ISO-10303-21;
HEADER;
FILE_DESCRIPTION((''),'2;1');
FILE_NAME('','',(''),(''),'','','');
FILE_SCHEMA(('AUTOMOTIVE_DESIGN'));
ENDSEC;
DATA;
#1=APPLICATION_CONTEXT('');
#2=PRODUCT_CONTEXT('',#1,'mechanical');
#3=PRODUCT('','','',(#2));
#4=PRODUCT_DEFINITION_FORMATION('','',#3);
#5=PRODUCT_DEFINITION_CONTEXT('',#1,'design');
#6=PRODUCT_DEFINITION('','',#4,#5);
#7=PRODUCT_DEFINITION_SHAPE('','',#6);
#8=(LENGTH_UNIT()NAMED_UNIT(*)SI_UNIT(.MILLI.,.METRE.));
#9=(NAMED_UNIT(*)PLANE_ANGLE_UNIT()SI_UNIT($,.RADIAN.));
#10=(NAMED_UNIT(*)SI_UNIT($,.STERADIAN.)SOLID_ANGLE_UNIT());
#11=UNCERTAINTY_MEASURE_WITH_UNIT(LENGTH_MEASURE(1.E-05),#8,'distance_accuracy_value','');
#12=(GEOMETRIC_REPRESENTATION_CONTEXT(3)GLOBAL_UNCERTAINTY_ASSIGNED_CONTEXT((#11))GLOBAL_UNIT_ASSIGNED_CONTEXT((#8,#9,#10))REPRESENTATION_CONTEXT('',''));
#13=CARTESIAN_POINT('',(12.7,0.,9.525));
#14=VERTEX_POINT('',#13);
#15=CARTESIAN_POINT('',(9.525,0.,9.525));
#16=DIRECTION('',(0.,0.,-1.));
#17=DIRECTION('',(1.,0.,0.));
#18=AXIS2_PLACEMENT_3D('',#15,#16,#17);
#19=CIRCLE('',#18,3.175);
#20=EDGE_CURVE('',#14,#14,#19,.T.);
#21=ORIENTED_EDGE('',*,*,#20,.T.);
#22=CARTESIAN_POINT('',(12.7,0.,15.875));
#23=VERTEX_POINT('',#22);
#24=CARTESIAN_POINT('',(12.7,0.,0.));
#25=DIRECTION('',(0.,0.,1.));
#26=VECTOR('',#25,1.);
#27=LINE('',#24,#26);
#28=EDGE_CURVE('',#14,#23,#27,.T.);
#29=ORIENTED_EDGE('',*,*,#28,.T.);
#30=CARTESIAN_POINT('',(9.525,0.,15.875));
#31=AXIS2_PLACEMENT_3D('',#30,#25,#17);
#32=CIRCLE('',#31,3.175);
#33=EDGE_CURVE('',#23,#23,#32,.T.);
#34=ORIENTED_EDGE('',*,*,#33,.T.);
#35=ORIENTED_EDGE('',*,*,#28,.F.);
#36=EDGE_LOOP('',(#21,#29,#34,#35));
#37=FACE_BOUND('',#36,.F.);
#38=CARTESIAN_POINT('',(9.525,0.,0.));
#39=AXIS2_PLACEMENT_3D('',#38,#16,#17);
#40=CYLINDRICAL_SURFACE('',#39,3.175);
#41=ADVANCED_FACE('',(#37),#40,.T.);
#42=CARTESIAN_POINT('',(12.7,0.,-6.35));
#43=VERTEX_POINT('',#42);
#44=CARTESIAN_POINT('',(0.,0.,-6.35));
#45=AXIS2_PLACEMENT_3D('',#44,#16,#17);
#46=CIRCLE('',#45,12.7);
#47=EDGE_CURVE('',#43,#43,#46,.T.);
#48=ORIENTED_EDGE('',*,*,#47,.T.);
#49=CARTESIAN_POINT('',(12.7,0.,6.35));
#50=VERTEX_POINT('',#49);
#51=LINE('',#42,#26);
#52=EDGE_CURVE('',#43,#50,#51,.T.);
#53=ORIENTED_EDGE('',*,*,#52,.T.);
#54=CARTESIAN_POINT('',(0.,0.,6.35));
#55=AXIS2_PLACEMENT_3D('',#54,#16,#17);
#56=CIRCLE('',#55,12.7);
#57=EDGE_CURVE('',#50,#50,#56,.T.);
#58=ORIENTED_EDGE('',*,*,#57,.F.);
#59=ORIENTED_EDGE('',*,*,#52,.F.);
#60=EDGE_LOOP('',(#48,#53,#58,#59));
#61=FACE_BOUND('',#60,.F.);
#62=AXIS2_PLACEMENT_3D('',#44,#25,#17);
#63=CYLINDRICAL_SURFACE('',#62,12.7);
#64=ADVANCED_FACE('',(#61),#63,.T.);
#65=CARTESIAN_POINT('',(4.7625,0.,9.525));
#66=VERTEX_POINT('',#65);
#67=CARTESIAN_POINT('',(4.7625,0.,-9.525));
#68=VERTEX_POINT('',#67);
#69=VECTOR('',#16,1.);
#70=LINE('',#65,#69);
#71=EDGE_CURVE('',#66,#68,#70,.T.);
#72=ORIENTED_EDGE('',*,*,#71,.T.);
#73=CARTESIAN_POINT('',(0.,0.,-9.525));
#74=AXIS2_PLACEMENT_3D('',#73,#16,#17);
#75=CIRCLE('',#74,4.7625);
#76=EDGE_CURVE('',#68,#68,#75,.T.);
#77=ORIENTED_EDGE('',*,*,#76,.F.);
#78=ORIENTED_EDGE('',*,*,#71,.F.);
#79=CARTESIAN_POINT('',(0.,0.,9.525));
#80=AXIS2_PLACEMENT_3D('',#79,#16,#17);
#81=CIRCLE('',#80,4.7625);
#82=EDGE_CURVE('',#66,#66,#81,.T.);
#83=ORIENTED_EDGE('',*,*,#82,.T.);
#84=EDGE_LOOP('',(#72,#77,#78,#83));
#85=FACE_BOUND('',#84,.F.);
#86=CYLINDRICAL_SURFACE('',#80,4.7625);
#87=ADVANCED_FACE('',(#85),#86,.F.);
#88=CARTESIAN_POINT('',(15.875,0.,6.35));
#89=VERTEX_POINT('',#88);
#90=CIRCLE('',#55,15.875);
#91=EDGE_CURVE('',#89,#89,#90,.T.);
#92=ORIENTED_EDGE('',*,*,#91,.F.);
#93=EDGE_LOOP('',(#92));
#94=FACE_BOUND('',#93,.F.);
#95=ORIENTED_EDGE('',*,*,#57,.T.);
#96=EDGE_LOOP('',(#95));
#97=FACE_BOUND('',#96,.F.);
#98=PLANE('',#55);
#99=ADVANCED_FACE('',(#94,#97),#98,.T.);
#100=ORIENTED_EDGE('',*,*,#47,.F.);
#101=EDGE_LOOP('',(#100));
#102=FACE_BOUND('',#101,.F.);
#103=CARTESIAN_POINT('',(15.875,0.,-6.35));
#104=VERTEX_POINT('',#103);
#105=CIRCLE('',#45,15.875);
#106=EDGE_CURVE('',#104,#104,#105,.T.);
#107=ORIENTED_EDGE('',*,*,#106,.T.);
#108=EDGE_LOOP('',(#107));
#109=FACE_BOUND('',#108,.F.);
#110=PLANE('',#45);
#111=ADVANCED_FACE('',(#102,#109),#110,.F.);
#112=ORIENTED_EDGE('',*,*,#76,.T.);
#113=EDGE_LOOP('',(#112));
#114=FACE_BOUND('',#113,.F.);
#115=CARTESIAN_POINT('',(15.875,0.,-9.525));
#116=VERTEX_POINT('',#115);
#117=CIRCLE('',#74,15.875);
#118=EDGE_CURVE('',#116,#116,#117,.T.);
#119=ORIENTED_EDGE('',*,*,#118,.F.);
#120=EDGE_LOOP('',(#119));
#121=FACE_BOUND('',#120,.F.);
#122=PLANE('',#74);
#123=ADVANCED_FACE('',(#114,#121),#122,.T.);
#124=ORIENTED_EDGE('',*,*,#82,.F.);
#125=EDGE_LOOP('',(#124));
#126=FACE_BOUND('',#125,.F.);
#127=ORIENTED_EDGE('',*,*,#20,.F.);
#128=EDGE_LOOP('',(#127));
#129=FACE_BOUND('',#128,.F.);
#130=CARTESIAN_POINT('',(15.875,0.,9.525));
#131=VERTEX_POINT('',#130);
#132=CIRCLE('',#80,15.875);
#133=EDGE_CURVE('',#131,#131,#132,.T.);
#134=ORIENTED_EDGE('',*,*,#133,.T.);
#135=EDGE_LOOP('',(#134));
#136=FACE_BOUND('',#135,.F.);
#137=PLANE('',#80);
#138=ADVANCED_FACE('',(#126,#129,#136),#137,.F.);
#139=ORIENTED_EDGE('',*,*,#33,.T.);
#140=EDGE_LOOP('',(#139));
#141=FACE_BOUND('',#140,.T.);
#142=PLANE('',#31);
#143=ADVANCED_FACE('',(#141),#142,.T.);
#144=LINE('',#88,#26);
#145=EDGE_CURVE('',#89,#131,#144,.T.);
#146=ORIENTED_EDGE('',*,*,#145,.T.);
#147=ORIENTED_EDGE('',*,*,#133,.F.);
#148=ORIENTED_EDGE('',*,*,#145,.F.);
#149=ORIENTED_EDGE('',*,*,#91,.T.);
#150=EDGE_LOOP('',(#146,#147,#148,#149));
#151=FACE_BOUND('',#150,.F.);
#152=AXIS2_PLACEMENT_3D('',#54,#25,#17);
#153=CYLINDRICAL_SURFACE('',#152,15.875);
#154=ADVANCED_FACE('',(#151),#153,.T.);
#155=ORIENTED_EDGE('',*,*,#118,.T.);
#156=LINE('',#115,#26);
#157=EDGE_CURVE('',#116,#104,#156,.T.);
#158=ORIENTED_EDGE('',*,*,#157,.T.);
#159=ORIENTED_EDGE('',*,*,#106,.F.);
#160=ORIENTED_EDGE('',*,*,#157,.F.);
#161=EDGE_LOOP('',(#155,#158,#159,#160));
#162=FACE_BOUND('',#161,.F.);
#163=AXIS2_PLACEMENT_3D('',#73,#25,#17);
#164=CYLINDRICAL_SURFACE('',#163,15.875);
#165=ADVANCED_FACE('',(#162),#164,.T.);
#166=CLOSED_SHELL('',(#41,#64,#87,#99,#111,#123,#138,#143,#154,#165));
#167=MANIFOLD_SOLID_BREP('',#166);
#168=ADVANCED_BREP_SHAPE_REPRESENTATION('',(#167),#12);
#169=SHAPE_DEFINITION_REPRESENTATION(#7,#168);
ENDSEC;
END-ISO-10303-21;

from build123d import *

# Parameters (mm, degrees)
F2_R     = 3.175
F3_DEPTH = 15.875


with BuildPart() as f1:
    # F0 (on Front) → F1 (revolve)
    with BuildSketch(Plane.XZ):
        Polygon((4.7625, 9.525), (4.7625, 0), (12.7, 0), (12.7, 6.35), (15.875, 6.35), (15.875, 9.525), align=None)
        Polygon((12.7, 0), (4.7625, 0), (4.7625, -9.525), (15.875, -9.525), (15.875, -6.35), (12.7, -6.35), align=None)
    revolve(axis=Axis((0, 0, -1.878798), (0, 0, -1)))

    # F2 (on Top) → F3 (join)
    with BuildSketch(Plane.XY):
        with Locations((9.525, 0)):
            Circle(F2_R)
    extrude(amount=F3_DEPTH)


solid = f1.part
